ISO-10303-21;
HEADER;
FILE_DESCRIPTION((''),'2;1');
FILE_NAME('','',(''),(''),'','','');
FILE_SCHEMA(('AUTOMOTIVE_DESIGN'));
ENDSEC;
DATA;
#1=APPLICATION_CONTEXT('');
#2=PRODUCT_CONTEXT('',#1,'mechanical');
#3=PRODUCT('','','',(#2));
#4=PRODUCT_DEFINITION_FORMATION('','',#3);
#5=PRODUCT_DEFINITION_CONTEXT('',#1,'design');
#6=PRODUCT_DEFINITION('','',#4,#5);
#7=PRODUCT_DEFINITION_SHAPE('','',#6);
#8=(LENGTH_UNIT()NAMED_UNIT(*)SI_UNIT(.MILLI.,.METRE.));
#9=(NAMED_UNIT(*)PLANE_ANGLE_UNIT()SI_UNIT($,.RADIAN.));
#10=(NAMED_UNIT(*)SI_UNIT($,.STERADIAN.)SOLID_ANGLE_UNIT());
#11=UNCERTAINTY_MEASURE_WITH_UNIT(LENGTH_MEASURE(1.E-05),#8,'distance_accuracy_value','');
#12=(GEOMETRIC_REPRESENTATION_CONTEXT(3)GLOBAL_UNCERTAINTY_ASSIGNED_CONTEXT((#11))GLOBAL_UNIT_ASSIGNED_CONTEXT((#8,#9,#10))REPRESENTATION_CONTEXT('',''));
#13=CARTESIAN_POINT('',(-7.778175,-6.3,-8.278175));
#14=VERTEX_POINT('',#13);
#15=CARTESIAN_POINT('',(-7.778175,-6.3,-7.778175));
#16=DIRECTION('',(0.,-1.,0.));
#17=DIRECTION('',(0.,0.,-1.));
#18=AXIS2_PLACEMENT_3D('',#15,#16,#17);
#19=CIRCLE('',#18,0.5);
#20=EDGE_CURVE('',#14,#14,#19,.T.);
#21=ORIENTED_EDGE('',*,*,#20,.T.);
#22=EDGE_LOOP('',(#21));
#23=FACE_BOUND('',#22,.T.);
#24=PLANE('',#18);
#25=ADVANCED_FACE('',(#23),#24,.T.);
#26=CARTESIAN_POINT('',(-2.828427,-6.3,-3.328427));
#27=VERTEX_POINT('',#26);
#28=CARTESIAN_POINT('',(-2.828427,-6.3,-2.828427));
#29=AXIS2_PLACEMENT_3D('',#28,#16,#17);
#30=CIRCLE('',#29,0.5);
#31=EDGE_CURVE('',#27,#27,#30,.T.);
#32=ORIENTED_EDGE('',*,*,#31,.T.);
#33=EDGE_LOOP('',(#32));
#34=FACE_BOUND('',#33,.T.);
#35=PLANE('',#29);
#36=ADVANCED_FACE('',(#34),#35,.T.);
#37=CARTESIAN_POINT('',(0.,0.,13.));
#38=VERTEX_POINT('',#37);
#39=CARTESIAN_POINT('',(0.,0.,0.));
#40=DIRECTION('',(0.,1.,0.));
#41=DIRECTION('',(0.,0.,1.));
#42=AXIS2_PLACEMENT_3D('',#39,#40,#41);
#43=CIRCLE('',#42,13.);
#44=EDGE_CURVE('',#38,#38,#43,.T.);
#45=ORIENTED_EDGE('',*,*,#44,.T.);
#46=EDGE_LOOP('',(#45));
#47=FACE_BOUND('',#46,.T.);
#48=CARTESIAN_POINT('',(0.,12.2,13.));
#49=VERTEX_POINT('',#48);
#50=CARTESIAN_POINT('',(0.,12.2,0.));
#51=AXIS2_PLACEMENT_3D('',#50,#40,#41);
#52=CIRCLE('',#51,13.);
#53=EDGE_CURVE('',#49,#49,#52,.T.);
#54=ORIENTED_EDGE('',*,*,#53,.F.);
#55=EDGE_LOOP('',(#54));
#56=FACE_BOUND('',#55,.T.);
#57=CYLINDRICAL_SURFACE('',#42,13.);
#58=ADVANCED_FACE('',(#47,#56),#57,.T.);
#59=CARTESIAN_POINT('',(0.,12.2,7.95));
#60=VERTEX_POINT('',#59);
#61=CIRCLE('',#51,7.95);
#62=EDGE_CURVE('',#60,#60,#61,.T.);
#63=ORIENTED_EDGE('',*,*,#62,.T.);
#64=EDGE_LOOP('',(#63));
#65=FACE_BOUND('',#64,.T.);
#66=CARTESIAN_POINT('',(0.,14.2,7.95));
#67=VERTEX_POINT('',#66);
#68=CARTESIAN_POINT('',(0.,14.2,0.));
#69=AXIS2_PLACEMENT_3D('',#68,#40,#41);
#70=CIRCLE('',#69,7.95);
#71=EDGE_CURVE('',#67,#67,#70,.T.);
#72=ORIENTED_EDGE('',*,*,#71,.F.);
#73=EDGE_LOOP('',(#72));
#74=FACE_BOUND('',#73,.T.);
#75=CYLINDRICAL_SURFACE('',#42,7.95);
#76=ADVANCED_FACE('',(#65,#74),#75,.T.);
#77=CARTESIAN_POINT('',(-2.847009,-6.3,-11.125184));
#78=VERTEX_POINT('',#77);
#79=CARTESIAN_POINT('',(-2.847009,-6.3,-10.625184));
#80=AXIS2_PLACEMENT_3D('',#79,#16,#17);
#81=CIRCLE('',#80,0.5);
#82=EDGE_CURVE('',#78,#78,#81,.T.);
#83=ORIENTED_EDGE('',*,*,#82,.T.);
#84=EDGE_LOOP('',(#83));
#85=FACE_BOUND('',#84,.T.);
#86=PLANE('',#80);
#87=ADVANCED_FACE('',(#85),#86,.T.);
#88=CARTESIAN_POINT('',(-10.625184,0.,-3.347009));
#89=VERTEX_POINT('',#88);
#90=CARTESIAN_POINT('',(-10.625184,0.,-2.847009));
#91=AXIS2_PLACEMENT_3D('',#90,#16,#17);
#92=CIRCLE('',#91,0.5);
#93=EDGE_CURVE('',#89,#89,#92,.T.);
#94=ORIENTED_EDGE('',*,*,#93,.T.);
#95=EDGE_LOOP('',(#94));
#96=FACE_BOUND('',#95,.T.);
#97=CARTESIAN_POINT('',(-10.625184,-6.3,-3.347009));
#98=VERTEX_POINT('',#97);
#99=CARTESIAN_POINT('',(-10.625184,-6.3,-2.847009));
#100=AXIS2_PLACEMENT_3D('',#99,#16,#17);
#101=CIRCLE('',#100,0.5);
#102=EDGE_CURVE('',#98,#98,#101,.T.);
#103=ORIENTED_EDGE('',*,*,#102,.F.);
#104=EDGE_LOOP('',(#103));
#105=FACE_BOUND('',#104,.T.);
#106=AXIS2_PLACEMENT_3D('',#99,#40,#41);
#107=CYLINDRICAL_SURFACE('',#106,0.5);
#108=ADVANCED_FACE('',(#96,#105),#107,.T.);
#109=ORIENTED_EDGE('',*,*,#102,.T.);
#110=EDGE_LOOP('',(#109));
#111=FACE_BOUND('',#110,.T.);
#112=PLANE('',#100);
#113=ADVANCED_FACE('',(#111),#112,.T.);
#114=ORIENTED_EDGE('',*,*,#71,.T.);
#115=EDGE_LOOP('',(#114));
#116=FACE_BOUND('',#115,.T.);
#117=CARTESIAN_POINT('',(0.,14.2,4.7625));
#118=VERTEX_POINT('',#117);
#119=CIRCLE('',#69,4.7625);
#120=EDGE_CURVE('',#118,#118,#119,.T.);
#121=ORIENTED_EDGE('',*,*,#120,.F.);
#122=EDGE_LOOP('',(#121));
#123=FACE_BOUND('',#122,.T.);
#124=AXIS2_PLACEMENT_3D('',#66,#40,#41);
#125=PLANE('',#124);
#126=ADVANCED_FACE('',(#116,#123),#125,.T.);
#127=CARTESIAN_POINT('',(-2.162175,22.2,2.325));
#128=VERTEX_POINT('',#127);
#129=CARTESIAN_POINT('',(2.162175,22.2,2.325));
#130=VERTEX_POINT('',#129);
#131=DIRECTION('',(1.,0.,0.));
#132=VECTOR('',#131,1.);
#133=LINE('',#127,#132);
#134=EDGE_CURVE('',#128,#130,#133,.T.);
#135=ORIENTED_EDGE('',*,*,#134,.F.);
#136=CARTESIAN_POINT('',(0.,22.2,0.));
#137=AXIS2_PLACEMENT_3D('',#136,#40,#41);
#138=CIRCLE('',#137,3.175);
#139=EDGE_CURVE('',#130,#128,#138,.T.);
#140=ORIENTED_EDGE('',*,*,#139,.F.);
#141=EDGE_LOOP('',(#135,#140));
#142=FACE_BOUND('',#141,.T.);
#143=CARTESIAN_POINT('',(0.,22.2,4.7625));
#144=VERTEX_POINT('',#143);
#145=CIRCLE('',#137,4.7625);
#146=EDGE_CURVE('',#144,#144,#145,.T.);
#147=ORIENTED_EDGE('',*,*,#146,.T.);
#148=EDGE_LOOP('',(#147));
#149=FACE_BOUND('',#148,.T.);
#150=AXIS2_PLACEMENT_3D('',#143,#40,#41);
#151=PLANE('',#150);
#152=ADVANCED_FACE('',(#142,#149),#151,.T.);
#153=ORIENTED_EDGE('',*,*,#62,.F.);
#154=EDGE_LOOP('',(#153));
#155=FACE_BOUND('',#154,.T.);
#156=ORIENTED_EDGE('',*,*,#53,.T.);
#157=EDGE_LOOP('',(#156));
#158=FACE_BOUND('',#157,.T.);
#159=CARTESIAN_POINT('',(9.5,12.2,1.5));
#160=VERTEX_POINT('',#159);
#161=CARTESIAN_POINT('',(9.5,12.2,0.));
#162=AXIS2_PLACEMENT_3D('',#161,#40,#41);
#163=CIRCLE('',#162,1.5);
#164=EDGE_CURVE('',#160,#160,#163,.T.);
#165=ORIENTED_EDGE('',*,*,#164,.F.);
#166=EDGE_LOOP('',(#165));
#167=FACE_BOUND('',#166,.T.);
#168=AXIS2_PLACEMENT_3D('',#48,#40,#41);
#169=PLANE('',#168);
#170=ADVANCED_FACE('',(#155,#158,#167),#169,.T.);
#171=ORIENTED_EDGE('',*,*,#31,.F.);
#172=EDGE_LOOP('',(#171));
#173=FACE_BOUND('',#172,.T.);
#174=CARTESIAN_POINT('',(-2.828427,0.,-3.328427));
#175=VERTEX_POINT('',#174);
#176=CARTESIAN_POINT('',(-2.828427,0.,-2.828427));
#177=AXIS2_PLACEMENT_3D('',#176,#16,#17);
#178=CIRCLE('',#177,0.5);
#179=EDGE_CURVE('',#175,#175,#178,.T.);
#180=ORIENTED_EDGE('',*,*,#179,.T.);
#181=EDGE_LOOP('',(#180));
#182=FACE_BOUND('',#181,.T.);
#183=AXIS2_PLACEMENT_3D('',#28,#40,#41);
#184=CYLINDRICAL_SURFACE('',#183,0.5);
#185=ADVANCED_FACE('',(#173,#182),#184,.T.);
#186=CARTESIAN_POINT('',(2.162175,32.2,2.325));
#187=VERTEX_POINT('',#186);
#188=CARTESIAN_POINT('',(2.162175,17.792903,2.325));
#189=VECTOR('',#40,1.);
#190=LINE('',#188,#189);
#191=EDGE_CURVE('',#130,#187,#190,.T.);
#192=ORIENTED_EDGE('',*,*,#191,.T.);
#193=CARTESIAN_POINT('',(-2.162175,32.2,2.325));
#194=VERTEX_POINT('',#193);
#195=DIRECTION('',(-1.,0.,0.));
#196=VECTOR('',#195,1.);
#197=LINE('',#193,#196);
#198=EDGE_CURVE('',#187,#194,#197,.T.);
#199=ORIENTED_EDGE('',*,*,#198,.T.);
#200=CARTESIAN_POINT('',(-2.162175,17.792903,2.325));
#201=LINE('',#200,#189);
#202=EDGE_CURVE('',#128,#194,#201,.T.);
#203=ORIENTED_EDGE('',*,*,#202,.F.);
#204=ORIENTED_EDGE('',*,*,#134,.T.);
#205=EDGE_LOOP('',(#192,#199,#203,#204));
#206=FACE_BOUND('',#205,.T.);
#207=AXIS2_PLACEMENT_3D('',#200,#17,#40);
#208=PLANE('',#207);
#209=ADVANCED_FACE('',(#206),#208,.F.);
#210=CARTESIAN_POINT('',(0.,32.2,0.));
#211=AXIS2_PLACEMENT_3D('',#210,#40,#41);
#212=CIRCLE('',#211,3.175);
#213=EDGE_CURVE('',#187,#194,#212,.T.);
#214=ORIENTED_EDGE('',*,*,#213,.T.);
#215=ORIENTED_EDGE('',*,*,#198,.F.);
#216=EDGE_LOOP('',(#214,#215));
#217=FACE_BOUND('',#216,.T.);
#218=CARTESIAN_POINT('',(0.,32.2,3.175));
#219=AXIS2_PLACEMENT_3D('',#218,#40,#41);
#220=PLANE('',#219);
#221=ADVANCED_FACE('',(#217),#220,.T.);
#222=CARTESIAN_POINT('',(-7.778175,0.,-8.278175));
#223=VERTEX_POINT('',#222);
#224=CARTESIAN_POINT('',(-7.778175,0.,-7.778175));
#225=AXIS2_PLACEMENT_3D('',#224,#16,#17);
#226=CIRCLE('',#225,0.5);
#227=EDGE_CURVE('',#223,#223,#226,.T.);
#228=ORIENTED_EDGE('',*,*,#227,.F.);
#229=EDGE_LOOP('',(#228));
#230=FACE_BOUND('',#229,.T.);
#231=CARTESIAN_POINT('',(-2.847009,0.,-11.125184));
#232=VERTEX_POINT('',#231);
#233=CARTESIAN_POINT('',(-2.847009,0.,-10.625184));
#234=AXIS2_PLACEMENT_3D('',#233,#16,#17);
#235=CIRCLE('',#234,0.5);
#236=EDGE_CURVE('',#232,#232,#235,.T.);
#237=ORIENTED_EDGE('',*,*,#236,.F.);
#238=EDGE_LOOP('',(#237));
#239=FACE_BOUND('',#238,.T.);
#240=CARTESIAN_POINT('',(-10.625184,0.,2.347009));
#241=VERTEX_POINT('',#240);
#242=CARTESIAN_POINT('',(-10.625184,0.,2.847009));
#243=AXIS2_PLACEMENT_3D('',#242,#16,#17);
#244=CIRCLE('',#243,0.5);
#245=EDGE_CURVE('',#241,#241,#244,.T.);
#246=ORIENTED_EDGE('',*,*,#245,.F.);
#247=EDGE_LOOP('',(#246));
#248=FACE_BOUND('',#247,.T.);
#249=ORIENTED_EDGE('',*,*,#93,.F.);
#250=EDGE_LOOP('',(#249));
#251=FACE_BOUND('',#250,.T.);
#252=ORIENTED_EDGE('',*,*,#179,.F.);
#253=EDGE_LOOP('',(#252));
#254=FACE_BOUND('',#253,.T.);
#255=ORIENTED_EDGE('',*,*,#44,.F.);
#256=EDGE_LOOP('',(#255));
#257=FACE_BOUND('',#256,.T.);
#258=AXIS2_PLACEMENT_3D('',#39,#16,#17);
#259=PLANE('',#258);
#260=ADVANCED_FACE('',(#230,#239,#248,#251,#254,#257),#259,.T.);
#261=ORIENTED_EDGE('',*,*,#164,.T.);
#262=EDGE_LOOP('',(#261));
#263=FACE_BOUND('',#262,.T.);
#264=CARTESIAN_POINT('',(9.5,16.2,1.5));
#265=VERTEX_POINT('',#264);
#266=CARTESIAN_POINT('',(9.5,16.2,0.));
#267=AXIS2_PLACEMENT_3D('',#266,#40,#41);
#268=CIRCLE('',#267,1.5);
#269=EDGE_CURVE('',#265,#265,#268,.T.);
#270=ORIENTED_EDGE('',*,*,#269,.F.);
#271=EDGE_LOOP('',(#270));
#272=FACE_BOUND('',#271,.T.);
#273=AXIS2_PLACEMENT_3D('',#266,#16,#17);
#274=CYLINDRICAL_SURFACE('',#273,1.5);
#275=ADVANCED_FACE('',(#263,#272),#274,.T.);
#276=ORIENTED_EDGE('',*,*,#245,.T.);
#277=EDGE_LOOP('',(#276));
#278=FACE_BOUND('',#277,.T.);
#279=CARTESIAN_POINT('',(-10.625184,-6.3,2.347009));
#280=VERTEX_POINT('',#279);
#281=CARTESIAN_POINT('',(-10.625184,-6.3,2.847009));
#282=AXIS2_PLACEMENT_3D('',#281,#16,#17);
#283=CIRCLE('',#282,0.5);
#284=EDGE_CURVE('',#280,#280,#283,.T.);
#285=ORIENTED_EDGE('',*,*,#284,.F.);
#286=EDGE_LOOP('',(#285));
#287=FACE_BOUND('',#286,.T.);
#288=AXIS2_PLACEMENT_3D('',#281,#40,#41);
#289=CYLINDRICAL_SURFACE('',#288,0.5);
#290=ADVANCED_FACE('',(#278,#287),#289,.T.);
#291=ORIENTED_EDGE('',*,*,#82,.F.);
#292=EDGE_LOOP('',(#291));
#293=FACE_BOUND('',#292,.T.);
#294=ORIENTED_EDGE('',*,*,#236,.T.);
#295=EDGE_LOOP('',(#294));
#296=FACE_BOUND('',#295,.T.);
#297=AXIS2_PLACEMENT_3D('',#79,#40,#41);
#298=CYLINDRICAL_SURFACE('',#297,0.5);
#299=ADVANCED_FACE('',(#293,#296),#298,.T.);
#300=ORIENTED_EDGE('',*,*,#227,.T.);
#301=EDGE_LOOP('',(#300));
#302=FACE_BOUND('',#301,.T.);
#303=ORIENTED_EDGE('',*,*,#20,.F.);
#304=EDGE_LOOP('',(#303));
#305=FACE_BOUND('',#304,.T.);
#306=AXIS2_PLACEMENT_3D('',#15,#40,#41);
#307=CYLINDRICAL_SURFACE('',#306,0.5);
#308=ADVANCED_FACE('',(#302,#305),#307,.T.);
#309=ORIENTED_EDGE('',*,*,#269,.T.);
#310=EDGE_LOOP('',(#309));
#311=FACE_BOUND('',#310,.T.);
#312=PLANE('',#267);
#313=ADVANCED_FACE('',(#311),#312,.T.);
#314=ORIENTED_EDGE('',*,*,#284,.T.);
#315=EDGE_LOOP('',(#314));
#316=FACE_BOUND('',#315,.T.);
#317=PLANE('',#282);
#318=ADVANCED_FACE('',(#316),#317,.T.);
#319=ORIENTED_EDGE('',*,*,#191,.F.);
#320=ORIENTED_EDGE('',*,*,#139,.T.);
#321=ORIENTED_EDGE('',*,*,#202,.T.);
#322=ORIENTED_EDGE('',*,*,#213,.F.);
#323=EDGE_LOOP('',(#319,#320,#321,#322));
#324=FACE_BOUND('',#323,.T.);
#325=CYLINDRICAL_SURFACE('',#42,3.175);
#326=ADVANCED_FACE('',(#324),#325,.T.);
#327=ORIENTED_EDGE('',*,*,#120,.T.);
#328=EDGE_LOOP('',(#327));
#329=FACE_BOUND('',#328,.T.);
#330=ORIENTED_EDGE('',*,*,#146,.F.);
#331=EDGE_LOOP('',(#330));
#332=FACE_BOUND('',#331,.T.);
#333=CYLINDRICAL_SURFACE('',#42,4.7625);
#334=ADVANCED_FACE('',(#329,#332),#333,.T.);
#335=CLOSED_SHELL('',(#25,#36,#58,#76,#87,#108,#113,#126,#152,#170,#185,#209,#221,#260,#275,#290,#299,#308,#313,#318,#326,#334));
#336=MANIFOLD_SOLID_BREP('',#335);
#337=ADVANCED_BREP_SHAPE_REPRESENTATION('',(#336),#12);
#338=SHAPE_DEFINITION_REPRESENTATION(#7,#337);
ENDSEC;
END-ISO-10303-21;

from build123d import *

# Parameters (mm, degrees)
CUT_EXTRUDE1_DEPTH  = 10
SKETCH6_R           = 1.5
BOSS_EXTRUDE3_DEPTH = 4
SKETCH7_R           = 0.5
BOSS_EXTRUDE4_DEPTH = 6.3


with BuildPart() as part:
    # Sketch1 → Revolve1 (revolve)
    with BuildSketch(Plane(origin=(0, 0, 0), x_dir=(0, 0, -1), z_dir=(1, 0, 0))):
        Polygon((0, 0), (-13, 0), (-13, 12.2), (-7.95, 12.2), (-7.95, 14.2), (-4.7625, 14.2), (-4.7625, 22.2), (-3.175, 22.2), (-3.175, 32.2), (0, 32.2), align=None)
    revolve(axis=Axis((0, 0, 0), (0, -1, 0)))

    # Sketch3 → Cut-Extrude1 (cut)
    with BuildSketch(Plane(origin=(0, 32.2, 0), x_dir=(1, 0, 0), z_dir=(0, 1, 0))):
        with BuildLine():
            Line((-2.162174831, -2.325), (2.162174831, -2.325))
            ThreePointArc((2.162174831, -2.325), (0, -3.175), (-2.162174831, -2.325))
        make_face()
    extrude(amount=-CUT_EXTRUDE1_DEPTH, mode=Mode.SUBTRACT)

    # Sketch6 → Boss-Extrude3 (add)
    with BuildSketch(Plane(origin=(0, 12.2, 0), x_dir=(1, 0, 0), z_dir=(0, 1, 0))):
        with Locations(Location((9.5, 0, 0), (0, 0, 270))):
            Circle(SKETCH6_R)
    extrude(amount=BOSS_EXTRUDE3_DEPTH)

    # Sketch7 → Boss-Extrude4 (add)
    with BuildSketch(Plane.XZ):
        with Locations(Location((-2.847009496, -10.625184089, 0), (0, 0, 270))):
            Circle(SKETCH7_R)
        with Locations(Location((-7.778174593, -7.778174593, 0), (0, 0, 270))):
            Circle(SKETCH7_R)
        with Locations(Location((-2.828427125, -2.828427125, 0), (0, 0, 270))):
            Circle(SKETCH7_R)
        with Locations(Location((-10.625184089, -2.847009496, 0), (0, 0, 270))):
            Circle(SKETCH7_R)
        with Locations(Location((-10.625184089, 2.847009496, 0), (0, 0, 270))):
            Circle(SKETCH7_R)
    extrude(amount=BOSS_EXTRUDE4_DEPTH)


solid = part.part
